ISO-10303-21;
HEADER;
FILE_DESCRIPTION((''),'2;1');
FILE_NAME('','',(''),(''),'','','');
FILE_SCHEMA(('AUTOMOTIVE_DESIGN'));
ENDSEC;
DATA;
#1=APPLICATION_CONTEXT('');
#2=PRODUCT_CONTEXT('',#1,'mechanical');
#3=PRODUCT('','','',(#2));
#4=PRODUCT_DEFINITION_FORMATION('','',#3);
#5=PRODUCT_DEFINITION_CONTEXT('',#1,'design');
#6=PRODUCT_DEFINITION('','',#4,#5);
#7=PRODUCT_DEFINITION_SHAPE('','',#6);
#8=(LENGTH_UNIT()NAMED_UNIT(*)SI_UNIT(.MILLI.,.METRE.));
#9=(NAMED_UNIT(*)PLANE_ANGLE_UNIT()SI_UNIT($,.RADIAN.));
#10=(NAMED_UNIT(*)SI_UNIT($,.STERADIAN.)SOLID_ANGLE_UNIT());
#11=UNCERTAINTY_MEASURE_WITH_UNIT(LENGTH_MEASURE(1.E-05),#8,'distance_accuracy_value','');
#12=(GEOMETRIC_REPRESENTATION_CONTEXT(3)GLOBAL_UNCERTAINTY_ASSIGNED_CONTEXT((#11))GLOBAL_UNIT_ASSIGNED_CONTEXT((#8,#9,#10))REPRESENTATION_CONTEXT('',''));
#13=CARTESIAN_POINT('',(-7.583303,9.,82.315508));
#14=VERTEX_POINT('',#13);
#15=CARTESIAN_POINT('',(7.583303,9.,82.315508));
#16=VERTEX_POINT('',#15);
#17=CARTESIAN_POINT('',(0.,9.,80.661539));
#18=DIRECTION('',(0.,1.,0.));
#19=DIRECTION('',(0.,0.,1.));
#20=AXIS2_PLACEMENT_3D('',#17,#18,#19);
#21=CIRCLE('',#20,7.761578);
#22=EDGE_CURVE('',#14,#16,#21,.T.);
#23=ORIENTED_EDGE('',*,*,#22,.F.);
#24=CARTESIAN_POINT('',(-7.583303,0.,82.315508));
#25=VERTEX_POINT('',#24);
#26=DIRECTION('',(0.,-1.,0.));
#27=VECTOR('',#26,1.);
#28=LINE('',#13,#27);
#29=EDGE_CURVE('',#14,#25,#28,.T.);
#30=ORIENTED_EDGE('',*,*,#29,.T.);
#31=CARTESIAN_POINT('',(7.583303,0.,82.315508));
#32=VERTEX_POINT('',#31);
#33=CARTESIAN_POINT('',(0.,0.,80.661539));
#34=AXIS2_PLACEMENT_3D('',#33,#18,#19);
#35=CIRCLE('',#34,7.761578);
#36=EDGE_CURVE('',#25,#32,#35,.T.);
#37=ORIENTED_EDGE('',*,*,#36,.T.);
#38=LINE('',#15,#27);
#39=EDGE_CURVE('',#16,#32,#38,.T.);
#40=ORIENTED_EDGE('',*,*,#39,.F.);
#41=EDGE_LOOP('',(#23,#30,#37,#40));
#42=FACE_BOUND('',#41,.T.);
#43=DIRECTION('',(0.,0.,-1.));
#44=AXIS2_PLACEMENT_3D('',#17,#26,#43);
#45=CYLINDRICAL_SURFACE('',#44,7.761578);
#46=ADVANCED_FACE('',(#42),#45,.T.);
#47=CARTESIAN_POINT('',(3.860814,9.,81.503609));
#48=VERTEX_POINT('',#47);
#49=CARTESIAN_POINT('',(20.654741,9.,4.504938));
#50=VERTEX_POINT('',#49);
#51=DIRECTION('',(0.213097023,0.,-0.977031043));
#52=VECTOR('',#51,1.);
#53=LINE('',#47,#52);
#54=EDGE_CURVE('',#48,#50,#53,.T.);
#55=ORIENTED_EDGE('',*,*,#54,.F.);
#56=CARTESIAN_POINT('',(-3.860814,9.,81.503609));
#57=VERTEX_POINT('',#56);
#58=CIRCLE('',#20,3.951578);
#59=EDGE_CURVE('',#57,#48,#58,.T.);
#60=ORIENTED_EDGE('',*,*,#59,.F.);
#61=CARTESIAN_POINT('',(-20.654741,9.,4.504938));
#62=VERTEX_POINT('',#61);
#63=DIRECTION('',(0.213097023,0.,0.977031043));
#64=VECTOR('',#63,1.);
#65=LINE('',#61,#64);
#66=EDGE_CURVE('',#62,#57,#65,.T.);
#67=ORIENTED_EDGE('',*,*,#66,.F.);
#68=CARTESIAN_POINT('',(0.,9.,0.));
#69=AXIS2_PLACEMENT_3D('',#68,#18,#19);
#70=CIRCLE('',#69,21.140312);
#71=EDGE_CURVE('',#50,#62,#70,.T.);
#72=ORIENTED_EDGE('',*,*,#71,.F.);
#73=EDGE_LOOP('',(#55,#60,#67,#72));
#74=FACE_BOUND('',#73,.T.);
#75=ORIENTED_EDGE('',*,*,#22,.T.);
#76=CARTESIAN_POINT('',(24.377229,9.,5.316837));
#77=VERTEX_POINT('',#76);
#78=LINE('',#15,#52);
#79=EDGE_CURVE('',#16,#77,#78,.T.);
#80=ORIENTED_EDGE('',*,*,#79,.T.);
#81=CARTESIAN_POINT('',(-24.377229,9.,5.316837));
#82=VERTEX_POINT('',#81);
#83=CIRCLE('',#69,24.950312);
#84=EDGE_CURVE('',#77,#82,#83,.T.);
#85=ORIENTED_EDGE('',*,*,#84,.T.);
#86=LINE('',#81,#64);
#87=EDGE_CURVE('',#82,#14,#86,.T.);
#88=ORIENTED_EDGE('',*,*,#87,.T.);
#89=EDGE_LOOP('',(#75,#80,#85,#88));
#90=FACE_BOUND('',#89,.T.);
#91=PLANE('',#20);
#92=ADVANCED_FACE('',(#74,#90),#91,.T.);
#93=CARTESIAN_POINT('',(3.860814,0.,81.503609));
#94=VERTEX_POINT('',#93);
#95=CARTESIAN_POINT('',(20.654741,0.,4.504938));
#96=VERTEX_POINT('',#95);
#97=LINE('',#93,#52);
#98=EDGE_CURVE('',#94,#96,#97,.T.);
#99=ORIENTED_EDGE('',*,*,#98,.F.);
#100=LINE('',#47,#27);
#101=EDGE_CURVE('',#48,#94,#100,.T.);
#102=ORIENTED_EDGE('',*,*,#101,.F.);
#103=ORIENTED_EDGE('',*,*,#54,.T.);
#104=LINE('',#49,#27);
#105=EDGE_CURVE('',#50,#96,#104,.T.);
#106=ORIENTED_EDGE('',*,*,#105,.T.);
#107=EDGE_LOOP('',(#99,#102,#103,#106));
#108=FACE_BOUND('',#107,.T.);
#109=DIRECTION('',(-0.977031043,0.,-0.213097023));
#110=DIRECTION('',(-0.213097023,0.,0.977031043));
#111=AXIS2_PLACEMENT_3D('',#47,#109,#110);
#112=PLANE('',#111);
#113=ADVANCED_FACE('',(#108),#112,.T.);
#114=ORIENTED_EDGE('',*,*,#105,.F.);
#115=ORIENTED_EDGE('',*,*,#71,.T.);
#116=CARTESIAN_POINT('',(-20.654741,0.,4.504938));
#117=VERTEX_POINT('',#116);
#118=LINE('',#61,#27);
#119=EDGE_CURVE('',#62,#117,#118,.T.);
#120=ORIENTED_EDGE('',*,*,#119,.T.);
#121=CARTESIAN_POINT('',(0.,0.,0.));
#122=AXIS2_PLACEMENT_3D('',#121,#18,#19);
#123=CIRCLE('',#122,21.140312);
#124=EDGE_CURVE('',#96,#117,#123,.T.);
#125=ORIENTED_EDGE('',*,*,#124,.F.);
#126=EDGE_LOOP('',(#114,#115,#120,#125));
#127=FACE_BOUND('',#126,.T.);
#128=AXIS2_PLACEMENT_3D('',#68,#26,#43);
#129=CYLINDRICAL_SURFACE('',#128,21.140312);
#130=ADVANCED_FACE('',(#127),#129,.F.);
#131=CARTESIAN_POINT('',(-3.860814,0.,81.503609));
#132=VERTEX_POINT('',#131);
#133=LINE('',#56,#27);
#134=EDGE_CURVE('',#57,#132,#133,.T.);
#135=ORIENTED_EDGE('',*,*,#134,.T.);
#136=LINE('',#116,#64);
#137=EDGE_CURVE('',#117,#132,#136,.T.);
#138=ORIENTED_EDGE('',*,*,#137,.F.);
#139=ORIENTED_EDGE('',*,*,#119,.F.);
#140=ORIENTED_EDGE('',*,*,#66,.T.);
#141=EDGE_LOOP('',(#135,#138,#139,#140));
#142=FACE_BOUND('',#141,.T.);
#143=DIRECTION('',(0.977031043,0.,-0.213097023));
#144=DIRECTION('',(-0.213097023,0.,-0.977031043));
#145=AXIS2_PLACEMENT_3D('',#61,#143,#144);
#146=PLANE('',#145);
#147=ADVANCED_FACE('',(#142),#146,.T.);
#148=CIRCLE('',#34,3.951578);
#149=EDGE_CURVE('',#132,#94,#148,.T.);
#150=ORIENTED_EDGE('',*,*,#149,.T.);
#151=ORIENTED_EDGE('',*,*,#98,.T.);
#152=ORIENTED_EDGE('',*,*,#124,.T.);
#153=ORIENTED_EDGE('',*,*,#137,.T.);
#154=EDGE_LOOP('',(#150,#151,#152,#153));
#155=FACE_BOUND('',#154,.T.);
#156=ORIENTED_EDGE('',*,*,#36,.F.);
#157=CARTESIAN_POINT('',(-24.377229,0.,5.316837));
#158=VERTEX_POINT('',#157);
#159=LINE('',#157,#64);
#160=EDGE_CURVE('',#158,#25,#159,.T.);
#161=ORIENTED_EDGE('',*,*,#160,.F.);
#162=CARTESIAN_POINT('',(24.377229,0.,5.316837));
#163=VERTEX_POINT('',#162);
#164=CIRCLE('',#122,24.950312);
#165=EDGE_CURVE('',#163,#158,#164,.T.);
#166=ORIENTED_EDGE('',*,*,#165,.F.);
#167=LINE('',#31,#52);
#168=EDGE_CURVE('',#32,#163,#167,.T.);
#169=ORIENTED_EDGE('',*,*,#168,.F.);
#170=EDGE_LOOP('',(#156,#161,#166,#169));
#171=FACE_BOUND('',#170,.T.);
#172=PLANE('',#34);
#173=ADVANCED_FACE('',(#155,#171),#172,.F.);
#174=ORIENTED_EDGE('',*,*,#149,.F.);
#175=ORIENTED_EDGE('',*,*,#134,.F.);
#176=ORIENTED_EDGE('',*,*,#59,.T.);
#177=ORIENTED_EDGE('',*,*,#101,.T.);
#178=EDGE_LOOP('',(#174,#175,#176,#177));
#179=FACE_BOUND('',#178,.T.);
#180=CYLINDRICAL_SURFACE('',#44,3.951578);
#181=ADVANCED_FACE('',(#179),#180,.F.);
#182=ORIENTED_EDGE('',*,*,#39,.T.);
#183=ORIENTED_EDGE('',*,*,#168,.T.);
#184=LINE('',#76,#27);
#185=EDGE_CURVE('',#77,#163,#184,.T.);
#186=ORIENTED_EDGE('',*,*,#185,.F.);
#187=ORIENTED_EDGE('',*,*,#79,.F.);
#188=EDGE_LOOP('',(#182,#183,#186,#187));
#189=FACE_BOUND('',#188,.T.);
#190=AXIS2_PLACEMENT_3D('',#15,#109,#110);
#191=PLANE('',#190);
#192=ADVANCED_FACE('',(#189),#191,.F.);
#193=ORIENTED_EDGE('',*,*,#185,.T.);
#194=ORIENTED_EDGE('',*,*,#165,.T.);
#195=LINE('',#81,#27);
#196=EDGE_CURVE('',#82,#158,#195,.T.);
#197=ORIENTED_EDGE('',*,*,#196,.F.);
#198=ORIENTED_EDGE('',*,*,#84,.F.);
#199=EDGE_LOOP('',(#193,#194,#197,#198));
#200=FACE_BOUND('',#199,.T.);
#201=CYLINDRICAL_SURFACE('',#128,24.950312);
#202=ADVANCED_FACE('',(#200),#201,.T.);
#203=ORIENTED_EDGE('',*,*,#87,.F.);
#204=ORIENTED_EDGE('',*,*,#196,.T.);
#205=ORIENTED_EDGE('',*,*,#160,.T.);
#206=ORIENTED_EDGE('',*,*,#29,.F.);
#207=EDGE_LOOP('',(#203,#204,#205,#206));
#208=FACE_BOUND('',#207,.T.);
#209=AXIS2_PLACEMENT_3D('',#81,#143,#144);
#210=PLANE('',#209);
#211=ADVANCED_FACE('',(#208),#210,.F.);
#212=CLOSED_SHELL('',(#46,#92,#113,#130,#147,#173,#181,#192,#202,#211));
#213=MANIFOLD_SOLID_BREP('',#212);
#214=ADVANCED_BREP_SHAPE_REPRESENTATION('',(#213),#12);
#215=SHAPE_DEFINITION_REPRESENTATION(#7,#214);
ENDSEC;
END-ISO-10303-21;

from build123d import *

# Parameters (mm, degrees)
BOSS_EXTRUDE1_DEPTH = 9


with BuildPart() as part:
    # Sketch2 → Boss-Extrude1 (new body)
    with BuildSketch(Plane(origin=(0, 0, 0), x_dir=(1, 0, 0), z_dir=(0, 1, 0))):
        with BuildLine():
            Line((7.5833026, -82.315508267), (24.377229164, -5.316837168))
            ThreePointArc((24.377229164, -5.316837168), (0, 24.950311805), (-24.377229164, -5.316837168))
            Line((-24.377229164, -5.316837168), (-7.5833026, -82.315508267))
            ThreePointArc((-7.5833026, -82.315508267), (0, -88.423117064), (7.5833026, -82.315508267))
        make_face()
        with BuildLine():
            Line((3.860814327, -81.50360861), (20.65474089, -4.504937511))
            ThreePointArc((20.65474089, -4.504937511), (0, 21.140311805), (-20.65474089, -4.504937511))
            Line((-20.65474089, -4.504937511), (-3.860814327, -81.50360861))
            ThreePointArc((-3.860814327, -81.50360861), (0, -84.613117064), (3.860814327, -81.50360861))
        make_face(mode=Mode.SUBTRACT)
    extrude(amount=BOSS_EXTRUDE1_DEPTH)


solid = part.part
